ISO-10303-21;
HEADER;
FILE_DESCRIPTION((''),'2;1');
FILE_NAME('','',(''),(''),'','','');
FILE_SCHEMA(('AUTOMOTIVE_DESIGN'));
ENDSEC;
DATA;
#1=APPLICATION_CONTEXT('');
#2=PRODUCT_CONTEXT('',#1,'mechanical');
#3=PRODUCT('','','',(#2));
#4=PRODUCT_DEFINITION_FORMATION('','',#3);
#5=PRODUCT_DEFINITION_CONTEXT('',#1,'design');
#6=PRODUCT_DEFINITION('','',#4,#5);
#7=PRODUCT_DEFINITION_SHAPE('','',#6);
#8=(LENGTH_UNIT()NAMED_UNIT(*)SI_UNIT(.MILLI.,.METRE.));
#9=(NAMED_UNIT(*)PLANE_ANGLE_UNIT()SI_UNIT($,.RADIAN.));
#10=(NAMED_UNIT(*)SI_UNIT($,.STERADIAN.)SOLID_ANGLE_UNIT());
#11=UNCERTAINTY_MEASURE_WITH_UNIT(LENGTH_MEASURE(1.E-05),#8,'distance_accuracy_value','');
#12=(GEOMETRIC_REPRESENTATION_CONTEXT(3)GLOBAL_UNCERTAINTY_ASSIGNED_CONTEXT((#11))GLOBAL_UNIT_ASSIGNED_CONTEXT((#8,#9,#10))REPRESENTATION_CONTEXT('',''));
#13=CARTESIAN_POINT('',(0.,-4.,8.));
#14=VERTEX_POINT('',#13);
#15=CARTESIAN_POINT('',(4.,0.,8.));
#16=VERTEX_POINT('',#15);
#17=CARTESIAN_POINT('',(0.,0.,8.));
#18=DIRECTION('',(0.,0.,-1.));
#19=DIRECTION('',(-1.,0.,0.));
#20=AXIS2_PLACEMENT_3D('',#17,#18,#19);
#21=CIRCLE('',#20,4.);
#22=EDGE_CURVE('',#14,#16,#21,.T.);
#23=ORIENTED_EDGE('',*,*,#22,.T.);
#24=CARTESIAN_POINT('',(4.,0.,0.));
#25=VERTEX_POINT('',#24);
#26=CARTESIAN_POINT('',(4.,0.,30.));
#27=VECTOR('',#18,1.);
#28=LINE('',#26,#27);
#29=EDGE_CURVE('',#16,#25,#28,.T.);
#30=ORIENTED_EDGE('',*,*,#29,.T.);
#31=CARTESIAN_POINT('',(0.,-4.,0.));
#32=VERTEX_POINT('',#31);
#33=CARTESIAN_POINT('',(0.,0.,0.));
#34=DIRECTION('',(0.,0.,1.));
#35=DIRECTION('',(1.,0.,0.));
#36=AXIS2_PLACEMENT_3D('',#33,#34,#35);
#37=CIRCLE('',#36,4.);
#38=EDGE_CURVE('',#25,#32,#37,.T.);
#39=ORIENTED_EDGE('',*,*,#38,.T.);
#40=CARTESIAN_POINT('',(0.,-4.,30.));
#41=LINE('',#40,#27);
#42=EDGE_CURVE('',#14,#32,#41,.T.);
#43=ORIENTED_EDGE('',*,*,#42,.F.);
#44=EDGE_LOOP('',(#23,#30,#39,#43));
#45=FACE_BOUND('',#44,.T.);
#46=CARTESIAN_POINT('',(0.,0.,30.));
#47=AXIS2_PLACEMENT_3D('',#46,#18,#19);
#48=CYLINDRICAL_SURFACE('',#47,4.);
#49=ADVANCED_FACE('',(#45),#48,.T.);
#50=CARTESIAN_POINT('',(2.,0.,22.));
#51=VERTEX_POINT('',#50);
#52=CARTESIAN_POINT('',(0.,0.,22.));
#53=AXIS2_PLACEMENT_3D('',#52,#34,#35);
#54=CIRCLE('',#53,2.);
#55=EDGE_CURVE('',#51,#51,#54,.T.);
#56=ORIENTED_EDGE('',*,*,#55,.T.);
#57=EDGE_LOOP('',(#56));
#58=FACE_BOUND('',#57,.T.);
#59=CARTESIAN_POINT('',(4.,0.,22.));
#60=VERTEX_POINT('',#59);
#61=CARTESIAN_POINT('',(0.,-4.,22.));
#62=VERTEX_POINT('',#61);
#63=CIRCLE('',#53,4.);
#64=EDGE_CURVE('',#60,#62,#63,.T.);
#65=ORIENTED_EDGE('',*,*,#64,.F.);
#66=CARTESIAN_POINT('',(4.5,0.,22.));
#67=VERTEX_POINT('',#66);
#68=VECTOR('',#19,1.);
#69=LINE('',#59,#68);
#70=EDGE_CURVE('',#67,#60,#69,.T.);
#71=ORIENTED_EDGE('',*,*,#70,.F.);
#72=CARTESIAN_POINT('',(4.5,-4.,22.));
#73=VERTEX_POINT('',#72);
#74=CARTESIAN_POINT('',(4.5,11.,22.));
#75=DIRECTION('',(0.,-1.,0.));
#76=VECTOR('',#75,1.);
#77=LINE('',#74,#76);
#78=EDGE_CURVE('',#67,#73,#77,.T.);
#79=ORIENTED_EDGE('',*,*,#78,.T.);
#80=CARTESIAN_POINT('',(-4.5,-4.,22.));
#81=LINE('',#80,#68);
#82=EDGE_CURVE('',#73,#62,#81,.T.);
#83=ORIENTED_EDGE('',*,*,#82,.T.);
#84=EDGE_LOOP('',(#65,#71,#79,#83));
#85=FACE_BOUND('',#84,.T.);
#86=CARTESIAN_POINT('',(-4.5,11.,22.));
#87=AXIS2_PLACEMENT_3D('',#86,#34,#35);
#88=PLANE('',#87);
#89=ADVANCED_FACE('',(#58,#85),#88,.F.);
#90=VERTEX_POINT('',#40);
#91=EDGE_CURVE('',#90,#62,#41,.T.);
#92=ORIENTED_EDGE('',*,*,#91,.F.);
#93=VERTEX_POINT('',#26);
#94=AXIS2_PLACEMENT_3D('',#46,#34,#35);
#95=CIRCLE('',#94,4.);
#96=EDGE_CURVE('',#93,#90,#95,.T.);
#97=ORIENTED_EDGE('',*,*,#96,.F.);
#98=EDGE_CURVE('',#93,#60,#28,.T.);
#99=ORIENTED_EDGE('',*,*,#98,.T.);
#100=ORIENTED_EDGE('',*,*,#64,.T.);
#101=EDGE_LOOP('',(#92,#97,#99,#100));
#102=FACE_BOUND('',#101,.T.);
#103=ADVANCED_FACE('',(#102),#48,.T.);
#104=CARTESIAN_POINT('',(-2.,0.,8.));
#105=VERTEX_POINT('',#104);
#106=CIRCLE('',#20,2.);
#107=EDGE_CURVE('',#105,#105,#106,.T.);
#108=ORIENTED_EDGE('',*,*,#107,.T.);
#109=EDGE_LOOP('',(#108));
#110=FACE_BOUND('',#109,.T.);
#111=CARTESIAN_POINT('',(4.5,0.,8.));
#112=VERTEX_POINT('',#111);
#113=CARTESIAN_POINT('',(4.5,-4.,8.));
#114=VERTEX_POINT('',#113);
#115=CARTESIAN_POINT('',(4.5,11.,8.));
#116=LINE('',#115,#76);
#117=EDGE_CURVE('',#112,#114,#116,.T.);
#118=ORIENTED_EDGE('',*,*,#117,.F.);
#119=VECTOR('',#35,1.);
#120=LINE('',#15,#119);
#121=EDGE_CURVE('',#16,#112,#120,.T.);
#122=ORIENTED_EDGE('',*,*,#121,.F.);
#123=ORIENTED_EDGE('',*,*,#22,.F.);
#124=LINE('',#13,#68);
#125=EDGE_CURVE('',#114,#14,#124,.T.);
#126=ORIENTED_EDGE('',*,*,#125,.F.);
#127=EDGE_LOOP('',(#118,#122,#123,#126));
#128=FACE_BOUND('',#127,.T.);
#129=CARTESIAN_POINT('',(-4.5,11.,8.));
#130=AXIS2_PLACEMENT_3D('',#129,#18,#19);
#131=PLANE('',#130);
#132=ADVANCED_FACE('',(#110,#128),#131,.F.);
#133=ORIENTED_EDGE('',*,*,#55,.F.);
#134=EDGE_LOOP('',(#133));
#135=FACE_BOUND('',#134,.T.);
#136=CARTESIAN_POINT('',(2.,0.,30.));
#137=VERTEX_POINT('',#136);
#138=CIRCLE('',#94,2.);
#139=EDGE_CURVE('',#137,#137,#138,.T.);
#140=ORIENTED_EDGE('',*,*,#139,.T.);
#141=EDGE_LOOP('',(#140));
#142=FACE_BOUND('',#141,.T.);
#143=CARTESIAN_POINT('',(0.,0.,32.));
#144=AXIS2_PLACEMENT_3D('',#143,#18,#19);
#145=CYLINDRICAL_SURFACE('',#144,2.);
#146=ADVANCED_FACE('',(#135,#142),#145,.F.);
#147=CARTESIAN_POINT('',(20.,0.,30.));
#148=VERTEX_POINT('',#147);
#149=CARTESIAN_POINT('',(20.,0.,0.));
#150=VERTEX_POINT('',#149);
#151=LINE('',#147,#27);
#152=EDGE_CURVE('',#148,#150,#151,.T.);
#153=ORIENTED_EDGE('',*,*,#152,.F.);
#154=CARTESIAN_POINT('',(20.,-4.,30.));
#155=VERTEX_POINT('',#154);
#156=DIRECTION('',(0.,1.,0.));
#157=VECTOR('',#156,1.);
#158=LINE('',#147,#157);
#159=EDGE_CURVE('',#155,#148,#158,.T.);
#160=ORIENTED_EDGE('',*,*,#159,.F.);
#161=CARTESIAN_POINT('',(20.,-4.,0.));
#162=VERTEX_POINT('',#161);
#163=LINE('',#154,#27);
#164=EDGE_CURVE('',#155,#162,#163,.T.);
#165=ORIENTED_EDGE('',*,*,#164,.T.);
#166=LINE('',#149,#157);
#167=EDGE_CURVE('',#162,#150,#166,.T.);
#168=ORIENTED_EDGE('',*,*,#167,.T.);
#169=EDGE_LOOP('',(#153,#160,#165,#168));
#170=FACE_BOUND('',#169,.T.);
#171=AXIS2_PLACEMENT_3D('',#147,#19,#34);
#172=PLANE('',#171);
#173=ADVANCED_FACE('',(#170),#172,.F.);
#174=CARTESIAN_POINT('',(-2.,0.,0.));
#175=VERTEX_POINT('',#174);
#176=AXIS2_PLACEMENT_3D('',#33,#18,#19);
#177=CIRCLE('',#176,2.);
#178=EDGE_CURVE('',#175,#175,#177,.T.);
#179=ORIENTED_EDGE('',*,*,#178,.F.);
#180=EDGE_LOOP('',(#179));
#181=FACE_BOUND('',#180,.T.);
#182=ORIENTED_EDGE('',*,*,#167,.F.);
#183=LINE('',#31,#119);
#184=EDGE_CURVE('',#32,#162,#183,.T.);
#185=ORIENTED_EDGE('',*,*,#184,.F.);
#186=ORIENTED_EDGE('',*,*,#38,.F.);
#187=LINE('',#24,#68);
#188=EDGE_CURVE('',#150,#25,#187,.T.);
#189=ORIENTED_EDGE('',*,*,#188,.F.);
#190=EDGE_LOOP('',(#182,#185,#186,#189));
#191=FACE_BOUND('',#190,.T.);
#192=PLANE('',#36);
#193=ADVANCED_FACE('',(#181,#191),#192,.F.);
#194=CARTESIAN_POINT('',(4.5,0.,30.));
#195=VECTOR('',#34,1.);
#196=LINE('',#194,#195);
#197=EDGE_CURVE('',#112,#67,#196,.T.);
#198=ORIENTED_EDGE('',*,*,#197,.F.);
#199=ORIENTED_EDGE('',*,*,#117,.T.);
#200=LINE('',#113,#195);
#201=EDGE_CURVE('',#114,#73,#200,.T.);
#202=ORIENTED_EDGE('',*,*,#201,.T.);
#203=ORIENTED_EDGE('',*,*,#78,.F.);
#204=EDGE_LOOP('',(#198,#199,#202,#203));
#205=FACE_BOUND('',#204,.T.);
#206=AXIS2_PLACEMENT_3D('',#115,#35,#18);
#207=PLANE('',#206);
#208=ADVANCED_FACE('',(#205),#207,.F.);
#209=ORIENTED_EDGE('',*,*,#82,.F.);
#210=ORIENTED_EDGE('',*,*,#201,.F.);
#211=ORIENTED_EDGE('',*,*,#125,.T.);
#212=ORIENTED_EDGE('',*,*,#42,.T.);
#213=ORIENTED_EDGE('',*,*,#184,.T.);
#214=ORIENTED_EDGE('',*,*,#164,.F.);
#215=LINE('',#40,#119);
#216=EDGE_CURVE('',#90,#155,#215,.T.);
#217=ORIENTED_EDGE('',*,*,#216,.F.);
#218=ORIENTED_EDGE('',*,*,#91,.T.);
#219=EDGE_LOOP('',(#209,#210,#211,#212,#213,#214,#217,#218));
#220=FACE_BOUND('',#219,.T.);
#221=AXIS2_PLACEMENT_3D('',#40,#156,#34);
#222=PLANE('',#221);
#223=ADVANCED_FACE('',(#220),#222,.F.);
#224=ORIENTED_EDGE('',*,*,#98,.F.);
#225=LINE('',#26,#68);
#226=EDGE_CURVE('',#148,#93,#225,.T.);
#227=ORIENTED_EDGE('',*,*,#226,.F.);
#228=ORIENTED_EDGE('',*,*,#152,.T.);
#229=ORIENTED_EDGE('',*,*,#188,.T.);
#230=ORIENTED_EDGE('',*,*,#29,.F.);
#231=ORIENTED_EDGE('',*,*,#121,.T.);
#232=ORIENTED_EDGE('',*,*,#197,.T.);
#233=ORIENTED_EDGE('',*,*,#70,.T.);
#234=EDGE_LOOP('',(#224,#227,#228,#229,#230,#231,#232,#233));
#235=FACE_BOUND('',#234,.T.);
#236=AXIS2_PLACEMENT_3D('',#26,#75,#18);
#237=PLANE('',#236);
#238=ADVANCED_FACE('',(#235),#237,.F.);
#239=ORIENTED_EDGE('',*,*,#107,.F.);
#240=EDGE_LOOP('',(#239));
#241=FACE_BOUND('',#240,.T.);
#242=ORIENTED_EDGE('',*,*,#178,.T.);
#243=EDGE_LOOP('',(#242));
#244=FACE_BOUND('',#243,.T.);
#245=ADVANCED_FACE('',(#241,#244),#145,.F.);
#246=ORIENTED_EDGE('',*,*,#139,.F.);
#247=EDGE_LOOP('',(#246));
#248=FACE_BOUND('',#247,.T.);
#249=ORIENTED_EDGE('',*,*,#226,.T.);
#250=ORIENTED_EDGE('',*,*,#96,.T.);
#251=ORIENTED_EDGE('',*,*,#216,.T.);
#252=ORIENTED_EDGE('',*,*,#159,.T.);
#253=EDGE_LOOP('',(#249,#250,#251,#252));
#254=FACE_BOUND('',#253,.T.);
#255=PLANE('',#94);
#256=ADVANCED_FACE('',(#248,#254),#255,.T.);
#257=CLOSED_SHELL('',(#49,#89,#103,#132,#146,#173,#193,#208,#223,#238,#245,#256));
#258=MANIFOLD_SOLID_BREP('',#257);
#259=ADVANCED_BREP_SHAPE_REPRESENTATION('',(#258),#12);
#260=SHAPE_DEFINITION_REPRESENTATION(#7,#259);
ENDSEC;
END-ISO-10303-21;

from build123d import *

# Parameters (mm, degrees)
EXTRUDE_1_DEPTH     = 30
SKETCH_2_W          = 9
SKETCH_2_H          = 14
CUT_EXTRUDE_1_DEPTH = 15
SKETCH_3_R          = 2
CUT_EXTRUDE_2_DEPTH = 32


with BuildPart() as part:
    # 草图1 → 凸台-拉伸1 (new body)
    with BuildSketch(Plane.XY):
        with BuildLine():
            Line((4, 0), (20, 0))
            Line((20, 0), (20, -4))
            Line((20, -4), (0, -4))
            ThreePointArc((0, -4), (-2.828427125, 2.828427125), (4, 0))
        make_face()
    extrude(amount=EXTRUDE_1_DEPTH)

    # 草图2 → 切除-拉伸1 (cut)
    with BuildSketch(Plane.XZ.offset(4)):
        with Locations((0, 15)):
            Rectangle(SKETCH_2_W, SKETCH_2_H)
    extrude(amount=-CUT_EXTRUDE_1_DEPTH, mode=Mode.SUBTRACT)

    # 草图3 → 切除-拉伸2 (cut)
    with BuildSketch(Plane(origin=(0, 0, 0), x_dir=(-1, 0, 0), z_dir=(0, 0, -1))):
        with Locations(Location((0, 0, 0), (0, 0, 180))):
            Circle(SKETCH_3_R)
    extrude(amount=-CUT_EXTRUDE_2_DEPTH, mode=Mode.SUBTRACT)


solid = part.part
